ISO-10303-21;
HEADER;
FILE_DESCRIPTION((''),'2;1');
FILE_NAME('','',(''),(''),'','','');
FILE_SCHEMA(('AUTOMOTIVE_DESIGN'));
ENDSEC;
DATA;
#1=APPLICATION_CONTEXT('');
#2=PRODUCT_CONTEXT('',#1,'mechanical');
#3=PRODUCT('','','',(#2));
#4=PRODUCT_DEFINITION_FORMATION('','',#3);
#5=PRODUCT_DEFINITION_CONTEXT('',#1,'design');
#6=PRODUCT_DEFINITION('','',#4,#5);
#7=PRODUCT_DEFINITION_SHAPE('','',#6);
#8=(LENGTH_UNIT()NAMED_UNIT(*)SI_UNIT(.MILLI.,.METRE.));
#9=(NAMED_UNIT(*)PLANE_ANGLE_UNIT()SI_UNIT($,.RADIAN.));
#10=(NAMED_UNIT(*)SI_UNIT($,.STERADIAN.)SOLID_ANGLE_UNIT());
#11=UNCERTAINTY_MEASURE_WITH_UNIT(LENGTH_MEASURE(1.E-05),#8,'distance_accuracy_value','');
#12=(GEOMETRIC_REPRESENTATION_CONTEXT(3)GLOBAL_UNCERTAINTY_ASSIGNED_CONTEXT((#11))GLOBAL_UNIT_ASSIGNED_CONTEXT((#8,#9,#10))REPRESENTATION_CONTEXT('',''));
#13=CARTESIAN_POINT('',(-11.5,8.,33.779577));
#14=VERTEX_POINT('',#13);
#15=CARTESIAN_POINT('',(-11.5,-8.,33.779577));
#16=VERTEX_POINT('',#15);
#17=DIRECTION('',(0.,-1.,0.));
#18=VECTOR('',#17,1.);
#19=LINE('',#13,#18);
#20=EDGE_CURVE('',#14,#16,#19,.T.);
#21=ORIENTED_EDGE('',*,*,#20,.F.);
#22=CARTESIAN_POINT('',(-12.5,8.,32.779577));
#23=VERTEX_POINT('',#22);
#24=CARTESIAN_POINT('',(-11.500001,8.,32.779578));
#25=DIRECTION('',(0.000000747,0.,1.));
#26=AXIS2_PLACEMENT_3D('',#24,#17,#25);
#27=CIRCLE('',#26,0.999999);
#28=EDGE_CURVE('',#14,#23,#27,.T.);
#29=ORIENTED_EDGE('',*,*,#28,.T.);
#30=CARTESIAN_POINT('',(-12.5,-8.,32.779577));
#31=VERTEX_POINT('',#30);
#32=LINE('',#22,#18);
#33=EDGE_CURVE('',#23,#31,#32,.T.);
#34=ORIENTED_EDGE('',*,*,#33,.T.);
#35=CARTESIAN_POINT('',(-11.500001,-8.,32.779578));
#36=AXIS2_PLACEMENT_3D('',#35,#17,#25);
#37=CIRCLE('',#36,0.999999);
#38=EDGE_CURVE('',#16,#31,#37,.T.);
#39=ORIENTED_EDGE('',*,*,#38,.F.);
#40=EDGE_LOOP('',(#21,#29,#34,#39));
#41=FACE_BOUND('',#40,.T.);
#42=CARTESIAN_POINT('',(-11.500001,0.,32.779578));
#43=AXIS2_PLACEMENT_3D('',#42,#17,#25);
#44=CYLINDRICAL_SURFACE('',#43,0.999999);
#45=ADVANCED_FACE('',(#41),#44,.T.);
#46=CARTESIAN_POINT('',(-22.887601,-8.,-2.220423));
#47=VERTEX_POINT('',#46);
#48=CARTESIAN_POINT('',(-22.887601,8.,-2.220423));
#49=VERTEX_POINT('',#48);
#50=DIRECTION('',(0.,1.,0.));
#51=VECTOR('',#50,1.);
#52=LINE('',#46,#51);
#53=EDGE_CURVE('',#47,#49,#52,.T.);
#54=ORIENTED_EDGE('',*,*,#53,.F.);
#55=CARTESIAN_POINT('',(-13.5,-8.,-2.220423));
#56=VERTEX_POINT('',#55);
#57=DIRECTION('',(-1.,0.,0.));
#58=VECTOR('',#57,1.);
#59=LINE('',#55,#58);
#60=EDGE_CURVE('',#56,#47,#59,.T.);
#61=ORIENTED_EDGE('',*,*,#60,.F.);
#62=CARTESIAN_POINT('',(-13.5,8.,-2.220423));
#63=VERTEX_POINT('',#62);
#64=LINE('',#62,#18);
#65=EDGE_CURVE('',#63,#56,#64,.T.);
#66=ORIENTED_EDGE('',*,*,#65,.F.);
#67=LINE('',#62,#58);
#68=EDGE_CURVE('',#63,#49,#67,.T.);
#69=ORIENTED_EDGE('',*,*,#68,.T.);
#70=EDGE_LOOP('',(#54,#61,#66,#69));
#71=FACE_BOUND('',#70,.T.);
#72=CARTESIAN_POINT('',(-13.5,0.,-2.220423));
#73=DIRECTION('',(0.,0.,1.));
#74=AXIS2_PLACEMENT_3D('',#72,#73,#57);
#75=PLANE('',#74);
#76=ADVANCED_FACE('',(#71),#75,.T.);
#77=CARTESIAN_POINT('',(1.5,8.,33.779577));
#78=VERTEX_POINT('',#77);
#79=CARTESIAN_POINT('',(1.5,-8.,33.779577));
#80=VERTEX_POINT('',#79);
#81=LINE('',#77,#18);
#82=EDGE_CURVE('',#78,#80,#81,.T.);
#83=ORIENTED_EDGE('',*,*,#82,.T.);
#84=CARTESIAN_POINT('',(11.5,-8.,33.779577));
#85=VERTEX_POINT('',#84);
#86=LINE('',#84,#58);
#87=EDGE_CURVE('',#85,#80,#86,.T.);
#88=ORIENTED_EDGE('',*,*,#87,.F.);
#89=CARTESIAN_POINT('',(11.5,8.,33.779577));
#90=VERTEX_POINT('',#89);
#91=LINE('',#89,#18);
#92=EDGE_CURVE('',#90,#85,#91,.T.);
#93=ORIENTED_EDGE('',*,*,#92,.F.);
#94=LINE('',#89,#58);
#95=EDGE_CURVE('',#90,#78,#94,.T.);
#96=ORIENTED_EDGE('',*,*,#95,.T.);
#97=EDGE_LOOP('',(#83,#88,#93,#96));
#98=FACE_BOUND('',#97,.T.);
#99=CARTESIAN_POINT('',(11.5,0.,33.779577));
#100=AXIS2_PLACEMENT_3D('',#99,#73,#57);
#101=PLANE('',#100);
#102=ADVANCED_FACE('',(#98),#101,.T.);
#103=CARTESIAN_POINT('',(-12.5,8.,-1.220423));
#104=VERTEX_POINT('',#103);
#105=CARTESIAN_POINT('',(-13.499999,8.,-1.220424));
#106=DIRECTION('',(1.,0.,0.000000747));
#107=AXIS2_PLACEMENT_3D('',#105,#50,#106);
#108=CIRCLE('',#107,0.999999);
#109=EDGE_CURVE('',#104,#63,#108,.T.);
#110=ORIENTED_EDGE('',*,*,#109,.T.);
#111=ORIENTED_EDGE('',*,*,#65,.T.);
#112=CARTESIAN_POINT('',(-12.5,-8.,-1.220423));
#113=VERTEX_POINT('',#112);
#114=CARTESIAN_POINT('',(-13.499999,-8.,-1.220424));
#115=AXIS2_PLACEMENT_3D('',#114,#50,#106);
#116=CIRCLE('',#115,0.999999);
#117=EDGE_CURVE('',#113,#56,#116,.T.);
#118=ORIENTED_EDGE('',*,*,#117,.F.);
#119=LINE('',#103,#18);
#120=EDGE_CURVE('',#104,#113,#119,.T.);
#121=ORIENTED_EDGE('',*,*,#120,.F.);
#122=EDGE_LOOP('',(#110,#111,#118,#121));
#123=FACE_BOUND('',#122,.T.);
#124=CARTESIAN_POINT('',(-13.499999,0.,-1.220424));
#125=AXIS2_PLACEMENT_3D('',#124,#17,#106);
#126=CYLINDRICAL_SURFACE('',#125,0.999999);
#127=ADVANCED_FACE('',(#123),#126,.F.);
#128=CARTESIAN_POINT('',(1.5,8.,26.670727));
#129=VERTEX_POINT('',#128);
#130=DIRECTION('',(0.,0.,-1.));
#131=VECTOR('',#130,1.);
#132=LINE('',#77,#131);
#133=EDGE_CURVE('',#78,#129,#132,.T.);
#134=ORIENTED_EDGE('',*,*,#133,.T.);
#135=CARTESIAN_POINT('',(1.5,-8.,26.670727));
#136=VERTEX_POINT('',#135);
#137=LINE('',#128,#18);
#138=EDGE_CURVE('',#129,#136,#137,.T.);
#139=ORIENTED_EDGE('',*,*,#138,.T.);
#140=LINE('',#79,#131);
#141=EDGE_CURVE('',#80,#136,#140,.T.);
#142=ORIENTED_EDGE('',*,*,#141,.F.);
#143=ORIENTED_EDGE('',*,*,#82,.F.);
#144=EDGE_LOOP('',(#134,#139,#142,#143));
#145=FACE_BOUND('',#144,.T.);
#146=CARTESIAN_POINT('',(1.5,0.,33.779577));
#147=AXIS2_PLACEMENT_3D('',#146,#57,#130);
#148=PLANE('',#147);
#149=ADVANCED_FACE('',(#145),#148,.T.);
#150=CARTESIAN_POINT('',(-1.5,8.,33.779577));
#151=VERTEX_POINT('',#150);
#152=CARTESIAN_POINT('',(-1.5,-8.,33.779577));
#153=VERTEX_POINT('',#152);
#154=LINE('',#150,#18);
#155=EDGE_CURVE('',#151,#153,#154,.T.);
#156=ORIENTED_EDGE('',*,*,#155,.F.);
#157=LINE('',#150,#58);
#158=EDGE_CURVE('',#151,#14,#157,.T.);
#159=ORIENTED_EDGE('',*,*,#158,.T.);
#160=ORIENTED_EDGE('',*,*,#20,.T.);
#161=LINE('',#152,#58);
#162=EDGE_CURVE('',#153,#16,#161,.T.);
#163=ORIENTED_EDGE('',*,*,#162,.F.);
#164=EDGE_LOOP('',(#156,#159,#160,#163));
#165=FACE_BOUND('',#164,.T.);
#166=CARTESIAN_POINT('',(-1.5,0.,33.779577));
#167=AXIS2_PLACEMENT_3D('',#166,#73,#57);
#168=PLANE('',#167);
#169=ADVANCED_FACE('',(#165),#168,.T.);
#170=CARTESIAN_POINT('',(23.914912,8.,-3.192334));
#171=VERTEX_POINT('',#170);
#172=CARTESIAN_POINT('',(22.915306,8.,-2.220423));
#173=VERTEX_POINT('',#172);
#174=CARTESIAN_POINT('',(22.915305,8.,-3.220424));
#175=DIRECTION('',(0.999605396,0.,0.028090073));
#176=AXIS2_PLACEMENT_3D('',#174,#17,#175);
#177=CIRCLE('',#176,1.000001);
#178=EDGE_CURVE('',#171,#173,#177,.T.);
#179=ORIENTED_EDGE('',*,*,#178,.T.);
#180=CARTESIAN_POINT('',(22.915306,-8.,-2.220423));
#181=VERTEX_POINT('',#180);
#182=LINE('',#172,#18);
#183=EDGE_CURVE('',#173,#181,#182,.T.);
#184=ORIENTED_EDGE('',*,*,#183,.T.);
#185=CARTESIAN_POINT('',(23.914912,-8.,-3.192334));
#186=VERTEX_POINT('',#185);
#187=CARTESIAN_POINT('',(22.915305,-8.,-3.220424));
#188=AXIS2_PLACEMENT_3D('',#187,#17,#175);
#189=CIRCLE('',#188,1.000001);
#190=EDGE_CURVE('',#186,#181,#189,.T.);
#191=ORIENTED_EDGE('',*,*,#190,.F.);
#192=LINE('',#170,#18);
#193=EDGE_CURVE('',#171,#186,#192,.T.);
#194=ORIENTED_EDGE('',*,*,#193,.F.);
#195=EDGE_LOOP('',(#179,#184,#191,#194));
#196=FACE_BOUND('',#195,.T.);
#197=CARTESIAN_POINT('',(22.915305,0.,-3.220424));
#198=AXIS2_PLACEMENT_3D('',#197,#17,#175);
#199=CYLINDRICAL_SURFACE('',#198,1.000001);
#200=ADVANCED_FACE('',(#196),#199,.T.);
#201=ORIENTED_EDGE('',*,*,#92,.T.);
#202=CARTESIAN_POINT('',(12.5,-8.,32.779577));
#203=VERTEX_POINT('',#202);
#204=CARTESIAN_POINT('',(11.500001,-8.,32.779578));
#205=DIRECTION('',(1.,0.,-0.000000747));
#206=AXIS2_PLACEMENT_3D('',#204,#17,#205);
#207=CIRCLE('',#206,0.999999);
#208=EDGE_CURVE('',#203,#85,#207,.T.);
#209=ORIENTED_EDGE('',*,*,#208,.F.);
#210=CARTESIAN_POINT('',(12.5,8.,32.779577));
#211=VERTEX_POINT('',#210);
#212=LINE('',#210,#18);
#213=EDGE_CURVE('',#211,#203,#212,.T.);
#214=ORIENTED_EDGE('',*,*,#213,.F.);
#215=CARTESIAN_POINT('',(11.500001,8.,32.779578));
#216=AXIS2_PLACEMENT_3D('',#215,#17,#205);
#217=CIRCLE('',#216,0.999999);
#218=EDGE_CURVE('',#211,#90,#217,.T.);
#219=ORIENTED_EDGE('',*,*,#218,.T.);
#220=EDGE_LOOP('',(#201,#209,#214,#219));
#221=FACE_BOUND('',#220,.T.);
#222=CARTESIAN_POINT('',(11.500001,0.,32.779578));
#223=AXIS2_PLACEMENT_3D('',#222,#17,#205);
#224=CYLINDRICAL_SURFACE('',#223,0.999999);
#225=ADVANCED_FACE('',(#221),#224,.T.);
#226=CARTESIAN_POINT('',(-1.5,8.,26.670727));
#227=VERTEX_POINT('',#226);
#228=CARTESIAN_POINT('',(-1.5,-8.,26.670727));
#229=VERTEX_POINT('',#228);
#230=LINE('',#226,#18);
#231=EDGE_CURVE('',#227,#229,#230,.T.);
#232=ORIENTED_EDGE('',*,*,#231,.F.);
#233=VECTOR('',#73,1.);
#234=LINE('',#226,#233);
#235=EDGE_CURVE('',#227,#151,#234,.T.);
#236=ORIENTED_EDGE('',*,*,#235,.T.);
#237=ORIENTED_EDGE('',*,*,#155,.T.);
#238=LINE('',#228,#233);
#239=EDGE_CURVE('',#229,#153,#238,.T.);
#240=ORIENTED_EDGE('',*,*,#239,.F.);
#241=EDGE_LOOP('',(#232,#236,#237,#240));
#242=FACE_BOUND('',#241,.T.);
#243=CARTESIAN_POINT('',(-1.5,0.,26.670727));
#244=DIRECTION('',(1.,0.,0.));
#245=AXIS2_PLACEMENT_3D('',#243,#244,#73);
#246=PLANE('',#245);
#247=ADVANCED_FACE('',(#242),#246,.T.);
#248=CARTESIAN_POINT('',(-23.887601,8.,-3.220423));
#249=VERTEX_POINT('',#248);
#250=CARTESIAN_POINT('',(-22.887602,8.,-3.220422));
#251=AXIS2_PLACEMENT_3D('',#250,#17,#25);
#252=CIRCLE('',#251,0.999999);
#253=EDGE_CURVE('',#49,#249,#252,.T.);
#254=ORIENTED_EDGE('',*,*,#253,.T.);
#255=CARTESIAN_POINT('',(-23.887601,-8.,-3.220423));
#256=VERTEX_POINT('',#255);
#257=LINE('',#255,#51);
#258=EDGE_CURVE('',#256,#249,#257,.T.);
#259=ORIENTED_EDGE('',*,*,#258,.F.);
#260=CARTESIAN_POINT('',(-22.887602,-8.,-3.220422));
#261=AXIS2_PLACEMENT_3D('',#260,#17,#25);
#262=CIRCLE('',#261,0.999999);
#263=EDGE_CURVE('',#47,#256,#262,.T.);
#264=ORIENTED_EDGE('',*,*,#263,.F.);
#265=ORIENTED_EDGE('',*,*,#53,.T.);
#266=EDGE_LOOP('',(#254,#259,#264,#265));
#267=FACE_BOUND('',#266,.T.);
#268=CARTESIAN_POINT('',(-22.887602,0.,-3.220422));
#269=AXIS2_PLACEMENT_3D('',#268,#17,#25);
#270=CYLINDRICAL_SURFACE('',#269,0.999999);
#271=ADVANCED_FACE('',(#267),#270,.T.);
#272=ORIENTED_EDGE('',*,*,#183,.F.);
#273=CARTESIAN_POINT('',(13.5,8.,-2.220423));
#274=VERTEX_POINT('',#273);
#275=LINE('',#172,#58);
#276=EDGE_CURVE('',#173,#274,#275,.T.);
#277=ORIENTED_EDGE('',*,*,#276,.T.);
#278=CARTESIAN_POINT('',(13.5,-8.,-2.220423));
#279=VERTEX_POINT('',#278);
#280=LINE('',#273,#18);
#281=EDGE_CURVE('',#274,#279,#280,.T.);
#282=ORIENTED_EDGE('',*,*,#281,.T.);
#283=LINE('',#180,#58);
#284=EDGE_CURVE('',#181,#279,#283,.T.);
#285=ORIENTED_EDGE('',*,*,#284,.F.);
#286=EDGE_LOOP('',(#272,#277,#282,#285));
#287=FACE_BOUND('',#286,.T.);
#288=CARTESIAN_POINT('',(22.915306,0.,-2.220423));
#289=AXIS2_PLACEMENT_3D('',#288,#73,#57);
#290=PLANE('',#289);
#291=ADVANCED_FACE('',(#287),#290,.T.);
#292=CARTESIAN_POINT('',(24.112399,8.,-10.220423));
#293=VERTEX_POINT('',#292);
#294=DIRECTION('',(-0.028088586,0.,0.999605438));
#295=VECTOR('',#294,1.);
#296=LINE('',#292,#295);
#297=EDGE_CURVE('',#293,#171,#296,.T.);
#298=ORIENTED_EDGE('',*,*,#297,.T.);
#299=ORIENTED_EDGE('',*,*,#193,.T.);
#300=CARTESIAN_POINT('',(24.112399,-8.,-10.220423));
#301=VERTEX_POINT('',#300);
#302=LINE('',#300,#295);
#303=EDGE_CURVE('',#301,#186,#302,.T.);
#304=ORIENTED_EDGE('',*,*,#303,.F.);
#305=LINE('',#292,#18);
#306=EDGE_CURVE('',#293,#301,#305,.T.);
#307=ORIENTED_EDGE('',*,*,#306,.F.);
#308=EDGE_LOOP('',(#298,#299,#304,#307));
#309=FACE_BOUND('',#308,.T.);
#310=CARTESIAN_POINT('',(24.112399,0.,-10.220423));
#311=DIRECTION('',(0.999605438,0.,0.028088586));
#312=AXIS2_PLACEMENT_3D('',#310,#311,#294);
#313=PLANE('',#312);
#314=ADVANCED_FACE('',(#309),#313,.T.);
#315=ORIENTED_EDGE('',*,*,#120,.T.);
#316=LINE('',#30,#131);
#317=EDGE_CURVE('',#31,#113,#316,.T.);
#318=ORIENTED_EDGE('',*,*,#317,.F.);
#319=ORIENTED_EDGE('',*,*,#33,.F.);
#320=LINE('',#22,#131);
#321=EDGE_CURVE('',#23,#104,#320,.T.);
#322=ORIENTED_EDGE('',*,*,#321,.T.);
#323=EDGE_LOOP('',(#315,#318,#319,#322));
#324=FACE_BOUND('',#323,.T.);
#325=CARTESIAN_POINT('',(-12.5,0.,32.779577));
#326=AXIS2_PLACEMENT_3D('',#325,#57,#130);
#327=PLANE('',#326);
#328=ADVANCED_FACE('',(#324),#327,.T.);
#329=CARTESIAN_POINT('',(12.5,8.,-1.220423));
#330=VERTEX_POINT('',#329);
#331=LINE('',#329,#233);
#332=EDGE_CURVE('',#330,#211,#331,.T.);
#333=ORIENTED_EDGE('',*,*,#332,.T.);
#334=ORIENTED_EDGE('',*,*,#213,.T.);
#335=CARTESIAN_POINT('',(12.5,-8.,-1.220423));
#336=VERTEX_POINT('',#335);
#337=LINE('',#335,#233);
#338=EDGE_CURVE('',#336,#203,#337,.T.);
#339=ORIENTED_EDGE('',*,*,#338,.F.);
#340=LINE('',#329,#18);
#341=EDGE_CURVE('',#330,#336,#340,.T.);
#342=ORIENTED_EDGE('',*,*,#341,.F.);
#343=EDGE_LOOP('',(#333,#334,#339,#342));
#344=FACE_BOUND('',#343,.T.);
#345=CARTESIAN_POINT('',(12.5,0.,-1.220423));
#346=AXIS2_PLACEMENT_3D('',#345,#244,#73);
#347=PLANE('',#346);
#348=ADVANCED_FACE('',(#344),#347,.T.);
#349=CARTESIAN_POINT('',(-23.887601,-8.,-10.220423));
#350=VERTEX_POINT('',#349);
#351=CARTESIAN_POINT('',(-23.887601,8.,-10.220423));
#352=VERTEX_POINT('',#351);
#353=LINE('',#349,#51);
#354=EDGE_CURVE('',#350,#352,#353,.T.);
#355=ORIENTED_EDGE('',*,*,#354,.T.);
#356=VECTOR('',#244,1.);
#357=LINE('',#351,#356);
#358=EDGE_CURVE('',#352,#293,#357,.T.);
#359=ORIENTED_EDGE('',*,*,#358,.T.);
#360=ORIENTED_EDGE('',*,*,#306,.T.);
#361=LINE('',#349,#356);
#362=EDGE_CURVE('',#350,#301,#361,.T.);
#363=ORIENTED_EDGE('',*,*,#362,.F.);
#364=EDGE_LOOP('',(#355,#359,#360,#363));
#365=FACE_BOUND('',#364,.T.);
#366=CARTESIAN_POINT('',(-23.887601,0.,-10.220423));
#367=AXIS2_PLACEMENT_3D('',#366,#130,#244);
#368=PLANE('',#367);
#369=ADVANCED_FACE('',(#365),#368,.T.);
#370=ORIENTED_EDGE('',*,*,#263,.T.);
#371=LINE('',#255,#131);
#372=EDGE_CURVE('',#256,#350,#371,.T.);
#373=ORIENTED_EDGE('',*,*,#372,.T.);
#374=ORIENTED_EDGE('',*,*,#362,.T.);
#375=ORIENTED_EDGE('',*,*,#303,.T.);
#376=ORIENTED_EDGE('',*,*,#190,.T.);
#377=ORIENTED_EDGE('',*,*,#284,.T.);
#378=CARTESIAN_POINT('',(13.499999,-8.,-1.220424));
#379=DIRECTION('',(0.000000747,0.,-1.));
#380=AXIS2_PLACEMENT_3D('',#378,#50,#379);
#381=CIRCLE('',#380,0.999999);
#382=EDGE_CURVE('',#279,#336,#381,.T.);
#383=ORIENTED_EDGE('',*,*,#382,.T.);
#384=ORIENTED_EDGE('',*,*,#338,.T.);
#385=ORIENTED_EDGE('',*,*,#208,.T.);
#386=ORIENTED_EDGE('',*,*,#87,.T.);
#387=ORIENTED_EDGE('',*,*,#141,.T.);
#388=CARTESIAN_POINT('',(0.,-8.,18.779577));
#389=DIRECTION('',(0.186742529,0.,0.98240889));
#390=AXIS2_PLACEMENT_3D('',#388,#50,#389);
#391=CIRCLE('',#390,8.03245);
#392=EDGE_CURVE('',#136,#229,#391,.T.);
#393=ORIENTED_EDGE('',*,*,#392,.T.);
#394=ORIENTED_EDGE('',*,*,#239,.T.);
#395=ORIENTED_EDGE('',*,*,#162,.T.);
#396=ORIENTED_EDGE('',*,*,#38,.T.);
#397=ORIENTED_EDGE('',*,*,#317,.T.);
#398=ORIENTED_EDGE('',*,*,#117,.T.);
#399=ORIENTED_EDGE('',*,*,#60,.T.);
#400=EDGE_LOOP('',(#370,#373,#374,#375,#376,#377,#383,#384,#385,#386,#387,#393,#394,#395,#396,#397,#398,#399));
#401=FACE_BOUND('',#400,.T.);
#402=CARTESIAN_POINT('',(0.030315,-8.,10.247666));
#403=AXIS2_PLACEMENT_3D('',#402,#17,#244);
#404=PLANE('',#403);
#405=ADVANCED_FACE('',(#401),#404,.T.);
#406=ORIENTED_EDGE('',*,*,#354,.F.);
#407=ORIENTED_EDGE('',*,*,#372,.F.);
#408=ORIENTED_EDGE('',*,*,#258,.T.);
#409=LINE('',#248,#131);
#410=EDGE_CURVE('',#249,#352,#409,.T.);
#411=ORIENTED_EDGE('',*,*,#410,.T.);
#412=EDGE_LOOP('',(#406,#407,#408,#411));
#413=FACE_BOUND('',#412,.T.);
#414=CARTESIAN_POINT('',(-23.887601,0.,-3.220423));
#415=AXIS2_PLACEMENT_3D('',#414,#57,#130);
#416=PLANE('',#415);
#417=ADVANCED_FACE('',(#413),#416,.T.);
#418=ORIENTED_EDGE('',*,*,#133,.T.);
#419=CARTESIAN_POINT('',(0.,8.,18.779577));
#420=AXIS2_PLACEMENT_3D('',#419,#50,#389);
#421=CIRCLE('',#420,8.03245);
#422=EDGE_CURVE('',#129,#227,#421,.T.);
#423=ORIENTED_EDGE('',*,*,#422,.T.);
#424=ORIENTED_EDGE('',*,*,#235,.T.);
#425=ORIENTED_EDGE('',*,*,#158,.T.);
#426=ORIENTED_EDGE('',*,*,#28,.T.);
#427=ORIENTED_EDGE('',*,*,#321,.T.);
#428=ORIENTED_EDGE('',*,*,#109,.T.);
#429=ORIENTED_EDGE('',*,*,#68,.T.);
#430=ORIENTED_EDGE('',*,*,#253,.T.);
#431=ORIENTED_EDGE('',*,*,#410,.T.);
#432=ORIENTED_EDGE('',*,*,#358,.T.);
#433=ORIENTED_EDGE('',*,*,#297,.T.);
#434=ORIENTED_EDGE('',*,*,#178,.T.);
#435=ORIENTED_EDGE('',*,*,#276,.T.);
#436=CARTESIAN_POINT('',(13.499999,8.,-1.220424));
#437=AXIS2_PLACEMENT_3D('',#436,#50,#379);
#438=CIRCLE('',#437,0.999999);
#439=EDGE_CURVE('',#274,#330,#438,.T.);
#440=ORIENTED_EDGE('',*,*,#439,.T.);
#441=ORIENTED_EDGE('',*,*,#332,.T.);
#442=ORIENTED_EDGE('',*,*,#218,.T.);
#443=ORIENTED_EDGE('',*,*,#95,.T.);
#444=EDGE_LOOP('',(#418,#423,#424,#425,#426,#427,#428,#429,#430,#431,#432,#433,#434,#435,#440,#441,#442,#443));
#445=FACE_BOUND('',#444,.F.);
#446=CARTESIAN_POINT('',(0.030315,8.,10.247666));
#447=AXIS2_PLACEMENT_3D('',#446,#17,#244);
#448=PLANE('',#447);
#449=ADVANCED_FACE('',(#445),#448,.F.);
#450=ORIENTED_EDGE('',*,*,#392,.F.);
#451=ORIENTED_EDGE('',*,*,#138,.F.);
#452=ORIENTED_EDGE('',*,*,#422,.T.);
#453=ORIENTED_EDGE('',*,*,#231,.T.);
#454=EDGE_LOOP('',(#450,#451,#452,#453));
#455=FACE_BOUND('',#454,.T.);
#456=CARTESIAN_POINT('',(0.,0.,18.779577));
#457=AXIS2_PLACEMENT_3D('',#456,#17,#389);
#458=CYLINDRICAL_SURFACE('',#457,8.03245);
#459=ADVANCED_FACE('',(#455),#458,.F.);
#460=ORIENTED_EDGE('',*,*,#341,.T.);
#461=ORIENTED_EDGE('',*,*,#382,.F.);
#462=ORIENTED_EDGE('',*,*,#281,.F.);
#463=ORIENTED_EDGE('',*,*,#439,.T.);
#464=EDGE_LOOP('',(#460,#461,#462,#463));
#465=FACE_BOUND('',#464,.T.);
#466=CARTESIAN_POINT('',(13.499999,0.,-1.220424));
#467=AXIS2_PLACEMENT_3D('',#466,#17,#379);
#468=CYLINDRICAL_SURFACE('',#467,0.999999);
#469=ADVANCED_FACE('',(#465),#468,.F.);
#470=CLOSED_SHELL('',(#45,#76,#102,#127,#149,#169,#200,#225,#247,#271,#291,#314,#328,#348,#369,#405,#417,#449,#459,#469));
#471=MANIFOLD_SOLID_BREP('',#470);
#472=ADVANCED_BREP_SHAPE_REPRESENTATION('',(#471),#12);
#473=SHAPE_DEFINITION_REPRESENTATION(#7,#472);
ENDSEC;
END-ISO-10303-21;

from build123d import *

# Parameters (mm, degrees)
F1_DEPTH = 8


with BuildPart() as f1:
    # F0 (on Front) → F1 (new body, symmetric)
    with BuildSketch(Plane.XZ):
        with BuildLine():
            Line((-23.887601, -10.220423), (24.112399, -10.220423))
            Line((24.112399, -10.220423), (23.914912, -3.192334))
            ThreePointArc((23.914912, -3.192334), (23.612411, -2.503454), (22.915306, -2.220423))
            Line((22.915306, -2.220423), (13.5, -2.220423))
            ThreePointArc((13.5, -2.220423), (12.792893, -1.92753), (12.5, -1.220423))
            Line((12.5, -1.220423), (12.5, 32.779577))
            ThreePointArc((12.5, 32.779577), (12.207107, 33.486684), (11.5, 33.779577))
            Line((11.5, 33.779577), (1.5, 33.779577))
            Line((1.5, 33.779577), (1.5, 26.670727))
            ThreePointArc((1.5, 26.670727), (0, 10.747127), (-1.5, 26.670727))
            Line((-1.5, 26.670727), (-1.5, 33.779577))
            Line((-1.5, 33.779577), (-11.5, 33.779577))
            ThreePointArc((-11.5, 33.779577), (-12.207107, 33.486684), (-12.5, 32.779577))
            Line((-12.5, 32.779577), (-12.5, -1.220423))
            ThreePointArc((-12.5, -1.220423), (-12.792893, -1.92753), (-13.5, -2.220423))
            Line((-13.5, -2.220423), (-22.887601, -2.220423))
            ThreePointArc((-22.887601, -2.220423), (-23.594708, -2.513316), (-23.887601, -3.220423))
            Line((-23.887601, -3.220423), (-23.887601, -10.220423))
        make_face()
    extrude(amount=F1_DEPTH, both=True)


solid = f1.part
